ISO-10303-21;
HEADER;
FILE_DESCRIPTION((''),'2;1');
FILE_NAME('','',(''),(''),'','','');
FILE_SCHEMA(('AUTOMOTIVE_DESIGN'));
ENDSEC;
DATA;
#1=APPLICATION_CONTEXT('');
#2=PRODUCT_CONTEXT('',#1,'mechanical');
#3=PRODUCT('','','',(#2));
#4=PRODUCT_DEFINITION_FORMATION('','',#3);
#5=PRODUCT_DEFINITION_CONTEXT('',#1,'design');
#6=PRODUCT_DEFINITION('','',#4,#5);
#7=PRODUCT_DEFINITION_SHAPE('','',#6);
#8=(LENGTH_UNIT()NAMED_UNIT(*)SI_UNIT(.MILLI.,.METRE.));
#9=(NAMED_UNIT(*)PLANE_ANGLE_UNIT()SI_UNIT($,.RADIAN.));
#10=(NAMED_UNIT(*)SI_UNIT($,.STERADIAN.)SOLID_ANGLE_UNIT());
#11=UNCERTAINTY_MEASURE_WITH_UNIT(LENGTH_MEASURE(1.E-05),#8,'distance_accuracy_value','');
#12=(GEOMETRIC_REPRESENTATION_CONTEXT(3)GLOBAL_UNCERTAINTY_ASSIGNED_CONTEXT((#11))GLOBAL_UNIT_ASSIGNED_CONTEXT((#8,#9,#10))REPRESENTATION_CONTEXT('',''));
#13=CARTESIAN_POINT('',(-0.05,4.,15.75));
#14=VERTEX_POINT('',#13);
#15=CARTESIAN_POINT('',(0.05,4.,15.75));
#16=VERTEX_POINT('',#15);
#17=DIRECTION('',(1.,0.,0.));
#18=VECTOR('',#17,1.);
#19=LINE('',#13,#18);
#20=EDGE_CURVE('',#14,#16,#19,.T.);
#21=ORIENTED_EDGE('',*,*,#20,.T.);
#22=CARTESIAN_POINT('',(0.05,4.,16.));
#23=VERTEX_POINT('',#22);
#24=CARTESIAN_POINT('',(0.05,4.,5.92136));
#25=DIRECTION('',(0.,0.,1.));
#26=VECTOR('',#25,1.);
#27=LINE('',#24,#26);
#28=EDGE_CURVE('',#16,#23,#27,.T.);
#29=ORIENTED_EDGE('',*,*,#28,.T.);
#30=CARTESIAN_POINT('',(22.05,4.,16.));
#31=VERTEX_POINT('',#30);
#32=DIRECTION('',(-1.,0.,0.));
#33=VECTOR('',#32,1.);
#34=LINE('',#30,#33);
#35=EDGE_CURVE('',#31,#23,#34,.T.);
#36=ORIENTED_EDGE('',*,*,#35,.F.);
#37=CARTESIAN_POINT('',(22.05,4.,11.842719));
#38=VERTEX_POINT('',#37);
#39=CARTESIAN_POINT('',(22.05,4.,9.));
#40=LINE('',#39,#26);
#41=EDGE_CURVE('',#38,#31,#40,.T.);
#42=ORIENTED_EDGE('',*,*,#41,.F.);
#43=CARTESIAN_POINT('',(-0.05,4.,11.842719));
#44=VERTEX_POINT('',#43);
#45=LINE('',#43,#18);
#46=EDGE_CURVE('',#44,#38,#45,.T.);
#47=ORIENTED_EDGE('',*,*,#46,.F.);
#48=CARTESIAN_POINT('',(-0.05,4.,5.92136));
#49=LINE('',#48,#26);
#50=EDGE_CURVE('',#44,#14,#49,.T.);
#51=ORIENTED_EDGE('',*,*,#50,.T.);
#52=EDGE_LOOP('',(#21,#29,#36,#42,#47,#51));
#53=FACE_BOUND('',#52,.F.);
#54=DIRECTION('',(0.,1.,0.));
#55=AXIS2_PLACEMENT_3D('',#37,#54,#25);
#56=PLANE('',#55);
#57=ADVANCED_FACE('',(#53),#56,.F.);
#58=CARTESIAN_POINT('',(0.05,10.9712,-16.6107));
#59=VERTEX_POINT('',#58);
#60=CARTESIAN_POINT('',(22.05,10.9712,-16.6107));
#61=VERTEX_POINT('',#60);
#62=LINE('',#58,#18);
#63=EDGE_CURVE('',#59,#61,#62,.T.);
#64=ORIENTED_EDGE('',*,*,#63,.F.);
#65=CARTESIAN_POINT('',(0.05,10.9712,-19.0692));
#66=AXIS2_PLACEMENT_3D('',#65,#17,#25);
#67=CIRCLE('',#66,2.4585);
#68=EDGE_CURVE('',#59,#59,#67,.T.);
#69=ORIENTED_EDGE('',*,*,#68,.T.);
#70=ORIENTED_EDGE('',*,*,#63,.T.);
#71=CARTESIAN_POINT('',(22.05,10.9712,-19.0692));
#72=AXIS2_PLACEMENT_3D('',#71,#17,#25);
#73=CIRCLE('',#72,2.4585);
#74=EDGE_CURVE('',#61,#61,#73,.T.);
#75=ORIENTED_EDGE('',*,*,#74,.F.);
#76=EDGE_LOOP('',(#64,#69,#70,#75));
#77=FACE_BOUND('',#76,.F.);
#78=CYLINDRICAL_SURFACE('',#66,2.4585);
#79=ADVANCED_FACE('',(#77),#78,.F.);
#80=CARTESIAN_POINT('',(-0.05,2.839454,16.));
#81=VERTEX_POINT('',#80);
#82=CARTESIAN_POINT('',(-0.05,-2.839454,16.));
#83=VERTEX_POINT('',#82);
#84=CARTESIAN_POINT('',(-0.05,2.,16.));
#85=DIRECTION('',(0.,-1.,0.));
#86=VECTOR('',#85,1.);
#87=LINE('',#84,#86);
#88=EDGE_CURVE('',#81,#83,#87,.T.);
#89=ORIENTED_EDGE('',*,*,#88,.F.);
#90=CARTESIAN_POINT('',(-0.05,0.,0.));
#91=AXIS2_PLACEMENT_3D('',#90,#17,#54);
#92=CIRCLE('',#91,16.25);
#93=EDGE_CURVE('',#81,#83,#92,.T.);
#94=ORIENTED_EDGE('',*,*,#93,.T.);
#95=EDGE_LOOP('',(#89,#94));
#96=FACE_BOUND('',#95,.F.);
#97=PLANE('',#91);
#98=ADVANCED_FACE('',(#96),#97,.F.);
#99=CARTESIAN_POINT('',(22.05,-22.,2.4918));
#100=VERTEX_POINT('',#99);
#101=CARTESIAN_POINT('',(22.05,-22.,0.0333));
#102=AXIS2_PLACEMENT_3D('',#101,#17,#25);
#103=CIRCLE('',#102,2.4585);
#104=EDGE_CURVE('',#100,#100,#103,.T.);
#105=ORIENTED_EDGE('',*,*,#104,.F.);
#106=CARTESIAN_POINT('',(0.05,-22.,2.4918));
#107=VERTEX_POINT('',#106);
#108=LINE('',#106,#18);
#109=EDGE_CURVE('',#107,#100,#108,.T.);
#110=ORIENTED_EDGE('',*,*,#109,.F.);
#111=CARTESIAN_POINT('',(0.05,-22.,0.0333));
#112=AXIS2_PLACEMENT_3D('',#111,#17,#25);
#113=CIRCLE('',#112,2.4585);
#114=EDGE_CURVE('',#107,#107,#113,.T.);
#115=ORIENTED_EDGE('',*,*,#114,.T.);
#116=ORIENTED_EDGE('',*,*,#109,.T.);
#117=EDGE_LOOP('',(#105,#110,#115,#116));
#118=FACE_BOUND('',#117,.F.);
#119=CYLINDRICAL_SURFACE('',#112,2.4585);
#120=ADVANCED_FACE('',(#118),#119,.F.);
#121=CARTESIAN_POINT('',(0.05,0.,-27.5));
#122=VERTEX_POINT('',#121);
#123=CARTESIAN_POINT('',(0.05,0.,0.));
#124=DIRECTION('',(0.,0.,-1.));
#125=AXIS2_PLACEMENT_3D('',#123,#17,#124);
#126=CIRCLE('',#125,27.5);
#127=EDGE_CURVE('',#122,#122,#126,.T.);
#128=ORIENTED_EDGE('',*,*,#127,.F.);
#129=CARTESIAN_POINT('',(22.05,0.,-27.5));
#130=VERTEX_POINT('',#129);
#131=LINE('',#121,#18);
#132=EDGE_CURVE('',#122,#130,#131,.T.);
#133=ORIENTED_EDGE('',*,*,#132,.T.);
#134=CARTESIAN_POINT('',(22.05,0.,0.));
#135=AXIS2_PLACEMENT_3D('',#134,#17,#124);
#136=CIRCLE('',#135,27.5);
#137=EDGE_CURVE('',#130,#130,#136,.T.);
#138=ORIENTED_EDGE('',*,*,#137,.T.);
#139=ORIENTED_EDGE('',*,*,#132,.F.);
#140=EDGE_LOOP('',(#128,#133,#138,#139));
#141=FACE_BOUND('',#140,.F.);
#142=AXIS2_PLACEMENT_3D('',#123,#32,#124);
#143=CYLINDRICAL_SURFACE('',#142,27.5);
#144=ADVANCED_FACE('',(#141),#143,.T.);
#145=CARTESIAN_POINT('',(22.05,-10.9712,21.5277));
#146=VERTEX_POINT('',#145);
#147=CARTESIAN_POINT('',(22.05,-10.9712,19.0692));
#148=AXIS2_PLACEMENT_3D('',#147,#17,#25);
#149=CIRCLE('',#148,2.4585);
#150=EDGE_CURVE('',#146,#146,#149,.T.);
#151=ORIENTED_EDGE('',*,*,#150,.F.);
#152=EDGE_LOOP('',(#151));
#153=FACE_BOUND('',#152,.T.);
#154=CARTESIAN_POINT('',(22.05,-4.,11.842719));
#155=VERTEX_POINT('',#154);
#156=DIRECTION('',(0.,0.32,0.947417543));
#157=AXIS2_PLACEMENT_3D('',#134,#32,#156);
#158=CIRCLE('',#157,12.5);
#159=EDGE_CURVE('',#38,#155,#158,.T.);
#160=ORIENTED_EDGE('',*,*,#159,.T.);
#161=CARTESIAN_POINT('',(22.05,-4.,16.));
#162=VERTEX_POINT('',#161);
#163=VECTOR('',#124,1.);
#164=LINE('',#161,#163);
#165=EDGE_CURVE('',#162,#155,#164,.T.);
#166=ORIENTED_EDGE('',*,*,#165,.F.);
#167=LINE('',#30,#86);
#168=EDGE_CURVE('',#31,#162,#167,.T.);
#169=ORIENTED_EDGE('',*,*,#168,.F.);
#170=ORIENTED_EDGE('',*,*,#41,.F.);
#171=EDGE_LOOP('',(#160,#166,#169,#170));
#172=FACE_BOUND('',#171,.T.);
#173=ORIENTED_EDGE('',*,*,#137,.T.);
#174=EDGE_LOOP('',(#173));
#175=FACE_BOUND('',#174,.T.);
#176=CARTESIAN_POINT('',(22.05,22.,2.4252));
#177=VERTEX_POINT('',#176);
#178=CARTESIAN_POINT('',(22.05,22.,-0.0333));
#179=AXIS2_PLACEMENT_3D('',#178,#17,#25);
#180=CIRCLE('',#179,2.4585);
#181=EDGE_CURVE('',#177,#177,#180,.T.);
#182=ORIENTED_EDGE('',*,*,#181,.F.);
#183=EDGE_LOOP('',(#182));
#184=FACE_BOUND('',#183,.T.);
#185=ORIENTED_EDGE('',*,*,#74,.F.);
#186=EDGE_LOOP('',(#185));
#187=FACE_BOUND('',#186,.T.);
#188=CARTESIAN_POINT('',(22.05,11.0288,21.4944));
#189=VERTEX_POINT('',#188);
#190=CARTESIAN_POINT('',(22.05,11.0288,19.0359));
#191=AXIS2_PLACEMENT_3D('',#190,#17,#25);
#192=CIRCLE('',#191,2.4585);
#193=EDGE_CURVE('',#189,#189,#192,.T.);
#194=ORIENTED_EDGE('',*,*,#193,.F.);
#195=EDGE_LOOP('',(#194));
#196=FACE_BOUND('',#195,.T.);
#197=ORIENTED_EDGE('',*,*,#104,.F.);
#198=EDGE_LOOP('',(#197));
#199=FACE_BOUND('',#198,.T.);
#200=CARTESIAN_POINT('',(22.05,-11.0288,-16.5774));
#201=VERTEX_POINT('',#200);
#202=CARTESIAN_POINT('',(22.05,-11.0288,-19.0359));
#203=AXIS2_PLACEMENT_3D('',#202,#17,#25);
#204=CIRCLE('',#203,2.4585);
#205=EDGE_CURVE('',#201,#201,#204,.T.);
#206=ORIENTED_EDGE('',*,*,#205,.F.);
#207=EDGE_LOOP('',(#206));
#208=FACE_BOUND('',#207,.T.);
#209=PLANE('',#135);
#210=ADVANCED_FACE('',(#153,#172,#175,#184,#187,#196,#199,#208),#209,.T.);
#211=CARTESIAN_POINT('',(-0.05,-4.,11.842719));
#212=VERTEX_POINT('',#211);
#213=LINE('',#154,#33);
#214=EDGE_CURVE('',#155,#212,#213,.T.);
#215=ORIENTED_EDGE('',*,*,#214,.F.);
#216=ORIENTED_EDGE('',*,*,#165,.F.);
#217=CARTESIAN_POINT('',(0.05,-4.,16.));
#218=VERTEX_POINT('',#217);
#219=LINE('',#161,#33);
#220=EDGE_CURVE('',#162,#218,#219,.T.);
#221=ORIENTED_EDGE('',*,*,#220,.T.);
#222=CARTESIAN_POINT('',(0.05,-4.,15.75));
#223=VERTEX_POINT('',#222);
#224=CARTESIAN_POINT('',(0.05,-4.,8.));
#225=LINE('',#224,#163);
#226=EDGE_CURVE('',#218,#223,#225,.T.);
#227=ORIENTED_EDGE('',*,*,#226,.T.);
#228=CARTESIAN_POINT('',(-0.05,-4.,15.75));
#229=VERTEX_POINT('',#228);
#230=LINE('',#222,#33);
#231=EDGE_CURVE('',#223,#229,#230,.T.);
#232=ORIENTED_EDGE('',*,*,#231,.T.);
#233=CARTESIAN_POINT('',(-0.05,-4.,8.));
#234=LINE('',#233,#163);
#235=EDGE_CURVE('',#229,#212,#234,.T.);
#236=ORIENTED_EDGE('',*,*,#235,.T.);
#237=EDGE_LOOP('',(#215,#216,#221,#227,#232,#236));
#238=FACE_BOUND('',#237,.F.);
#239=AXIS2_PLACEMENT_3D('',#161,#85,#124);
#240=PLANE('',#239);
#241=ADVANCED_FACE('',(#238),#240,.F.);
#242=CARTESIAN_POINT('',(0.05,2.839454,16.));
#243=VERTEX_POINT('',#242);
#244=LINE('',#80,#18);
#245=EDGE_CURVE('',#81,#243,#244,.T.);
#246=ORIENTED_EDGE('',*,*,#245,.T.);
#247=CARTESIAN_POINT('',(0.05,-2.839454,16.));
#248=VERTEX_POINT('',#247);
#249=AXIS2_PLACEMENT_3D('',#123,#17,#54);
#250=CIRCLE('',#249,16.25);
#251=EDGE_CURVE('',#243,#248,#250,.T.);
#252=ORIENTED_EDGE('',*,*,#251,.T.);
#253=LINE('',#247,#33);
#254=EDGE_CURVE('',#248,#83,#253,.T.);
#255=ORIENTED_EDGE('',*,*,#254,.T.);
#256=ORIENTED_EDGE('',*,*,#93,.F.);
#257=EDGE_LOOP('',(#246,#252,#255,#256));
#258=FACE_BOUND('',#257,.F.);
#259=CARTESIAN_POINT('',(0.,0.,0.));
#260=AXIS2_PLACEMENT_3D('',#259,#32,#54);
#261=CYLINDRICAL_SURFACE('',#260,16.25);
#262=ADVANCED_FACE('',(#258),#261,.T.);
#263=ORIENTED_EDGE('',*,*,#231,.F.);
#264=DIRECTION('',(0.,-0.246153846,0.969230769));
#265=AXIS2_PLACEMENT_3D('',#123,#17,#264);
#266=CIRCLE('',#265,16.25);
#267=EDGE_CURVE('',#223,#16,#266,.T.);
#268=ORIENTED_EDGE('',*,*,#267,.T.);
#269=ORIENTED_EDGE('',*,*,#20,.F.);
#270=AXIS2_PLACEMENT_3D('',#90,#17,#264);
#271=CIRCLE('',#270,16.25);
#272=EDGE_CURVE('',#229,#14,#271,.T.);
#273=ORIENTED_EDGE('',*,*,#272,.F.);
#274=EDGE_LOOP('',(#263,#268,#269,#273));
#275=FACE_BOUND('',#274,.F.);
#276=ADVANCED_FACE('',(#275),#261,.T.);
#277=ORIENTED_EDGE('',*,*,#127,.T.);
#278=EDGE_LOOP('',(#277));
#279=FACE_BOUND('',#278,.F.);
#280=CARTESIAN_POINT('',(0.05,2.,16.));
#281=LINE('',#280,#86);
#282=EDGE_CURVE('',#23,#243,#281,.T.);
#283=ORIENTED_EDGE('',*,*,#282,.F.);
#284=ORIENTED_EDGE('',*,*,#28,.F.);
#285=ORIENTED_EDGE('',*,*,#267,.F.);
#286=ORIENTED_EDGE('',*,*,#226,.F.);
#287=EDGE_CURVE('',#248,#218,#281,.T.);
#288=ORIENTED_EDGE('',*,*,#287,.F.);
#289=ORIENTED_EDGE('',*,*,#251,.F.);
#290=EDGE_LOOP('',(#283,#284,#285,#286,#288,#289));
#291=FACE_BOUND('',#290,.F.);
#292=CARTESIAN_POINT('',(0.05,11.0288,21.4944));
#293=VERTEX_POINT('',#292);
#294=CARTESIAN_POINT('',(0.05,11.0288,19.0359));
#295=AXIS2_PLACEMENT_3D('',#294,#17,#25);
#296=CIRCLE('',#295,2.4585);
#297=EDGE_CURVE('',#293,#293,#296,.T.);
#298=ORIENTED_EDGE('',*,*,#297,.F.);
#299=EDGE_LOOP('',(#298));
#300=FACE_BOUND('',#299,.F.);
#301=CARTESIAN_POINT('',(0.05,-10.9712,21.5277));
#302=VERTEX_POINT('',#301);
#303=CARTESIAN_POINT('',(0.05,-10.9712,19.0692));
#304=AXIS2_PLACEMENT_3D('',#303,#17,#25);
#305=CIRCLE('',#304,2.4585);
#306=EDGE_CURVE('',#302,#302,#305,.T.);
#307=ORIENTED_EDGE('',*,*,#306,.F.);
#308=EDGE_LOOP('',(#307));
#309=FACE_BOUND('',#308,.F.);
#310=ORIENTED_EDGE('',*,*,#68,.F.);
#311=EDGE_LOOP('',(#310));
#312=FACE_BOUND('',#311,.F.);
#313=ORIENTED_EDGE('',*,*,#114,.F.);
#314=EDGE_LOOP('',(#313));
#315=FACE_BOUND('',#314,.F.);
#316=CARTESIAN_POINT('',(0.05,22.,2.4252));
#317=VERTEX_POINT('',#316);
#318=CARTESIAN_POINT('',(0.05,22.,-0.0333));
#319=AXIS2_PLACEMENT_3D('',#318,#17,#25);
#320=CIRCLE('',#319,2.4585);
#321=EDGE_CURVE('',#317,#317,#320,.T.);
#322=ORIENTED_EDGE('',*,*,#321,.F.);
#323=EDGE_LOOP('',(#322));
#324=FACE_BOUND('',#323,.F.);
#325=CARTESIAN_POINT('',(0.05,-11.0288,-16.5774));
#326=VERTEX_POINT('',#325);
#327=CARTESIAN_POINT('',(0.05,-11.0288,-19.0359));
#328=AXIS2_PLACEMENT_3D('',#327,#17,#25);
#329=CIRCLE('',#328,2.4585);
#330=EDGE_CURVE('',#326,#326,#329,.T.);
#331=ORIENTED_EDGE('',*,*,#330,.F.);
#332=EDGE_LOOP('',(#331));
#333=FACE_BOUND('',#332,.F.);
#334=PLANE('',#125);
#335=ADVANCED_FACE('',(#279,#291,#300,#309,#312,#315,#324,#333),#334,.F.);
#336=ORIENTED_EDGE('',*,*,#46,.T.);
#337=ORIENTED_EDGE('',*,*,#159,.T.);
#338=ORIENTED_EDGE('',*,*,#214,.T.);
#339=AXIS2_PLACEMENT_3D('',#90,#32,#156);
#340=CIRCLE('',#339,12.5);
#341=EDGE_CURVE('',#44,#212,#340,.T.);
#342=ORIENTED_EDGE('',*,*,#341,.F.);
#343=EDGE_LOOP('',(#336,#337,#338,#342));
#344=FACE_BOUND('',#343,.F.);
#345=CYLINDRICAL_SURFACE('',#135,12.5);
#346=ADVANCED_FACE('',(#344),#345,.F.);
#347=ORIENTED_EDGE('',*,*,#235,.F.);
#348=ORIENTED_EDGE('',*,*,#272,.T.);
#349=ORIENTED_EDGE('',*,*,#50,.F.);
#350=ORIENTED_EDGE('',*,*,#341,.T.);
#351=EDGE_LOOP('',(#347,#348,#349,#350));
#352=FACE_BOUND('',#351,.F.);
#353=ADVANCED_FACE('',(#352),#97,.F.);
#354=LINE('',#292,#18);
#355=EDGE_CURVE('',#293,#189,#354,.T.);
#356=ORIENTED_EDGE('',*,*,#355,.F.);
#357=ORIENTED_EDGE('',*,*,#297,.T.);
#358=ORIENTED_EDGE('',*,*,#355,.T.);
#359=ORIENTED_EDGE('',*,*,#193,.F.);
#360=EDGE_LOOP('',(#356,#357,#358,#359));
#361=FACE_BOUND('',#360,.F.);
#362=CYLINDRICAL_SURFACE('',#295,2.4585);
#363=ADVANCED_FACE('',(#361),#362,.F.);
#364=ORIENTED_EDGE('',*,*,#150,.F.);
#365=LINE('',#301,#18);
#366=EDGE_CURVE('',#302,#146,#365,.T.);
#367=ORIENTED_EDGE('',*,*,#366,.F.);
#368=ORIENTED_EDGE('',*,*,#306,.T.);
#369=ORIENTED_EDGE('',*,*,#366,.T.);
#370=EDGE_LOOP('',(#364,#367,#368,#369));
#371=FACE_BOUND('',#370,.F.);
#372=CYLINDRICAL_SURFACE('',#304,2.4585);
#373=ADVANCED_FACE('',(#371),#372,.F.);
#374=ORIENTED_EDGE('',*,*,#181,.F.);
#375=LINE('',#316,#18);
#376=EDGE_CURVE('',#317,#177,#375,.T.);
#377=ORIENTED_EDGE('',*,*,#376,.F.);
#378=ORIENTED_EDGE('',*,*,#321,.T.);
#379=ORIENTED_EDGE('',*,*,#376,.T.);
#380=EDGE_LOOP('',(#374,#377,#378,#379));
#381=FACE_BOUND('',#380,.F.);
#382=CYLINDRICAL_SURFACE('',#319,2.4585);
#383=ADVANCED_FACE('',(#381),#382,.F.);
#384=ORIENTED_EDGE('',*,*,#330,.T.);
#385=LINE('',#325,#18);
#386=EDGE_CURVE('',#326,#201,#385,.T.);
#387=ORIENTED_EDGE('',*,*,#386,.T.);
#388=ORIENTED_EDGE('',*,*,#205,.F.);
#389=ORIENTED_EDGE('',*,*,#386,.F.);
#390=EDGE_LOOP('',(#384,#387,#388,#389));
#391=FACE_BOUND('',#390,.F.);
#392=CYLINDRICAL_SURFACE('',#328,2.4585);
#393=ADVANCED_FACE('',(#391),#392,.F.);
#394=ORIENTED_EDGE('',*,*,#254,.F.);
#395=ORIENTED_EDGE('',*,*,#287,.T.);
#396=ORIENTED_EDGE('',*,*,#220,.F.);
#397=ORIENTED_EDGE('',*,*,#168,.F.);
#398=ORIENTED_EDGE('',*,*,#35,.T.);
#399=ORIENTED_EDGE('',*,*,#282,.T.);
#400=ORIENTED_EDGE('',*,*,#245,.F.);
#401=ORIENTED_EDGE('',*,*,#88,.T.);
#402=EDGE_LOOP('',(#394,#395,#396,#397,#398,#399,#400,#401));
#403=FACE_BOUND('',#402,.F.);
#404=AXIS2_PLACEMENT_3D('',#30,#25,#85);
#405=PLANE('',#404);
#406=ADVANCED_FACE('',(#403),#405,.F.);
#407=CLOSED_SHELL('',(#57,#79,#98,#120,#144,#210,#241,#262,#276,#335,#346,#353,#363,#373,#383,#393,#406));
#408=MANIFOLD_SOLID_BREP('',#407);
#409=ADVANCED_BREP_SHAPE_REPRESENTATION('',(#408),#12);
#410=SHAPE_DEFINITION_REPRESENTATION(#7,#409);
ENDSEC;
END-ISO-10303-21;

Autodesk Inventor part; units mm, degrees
ref_plane "YZ Plane" through (0, 0, 0) normal (1, 0, 0) x (0, 1, 0)
ref_plane "XZ Plane" through (0, 0, 0) normal (0, 1, 0) x (-1, 0, 0)
ref_plane "XY Plane" through (0, 0, 0) normal (0, 0, 1) x (1, 0, 0)
sketch "Skizze1" plane through (0, 0, 0) normal (1, 0, 0) x (0, 1, 0)
  circle A0 centre (0, 0) radius 12.5
  circle A1 centre (0, 0) radius 16.25
  dimension "d0" = 25
  dimension "d1" = 32.5
extrude "Extrusion1" add sketch "Skizze1" along normal mid plane 0.1
sketch "Skizze2" plane through (0.05, 0, 0) normal (1, 0, 0) x (0, 0, -1)
  circle A0 centre (0, 0) radius 27.5
  dimension "d5" = 55
extrude "Extrusion2" add sketch "Skizze2" along normal blind 22
sketch "Skizze4" plane through (22.05, 0, 0) normal (1, 0, 0) x (0, 0, -1)
  circle A0 centre (0, 0) radius 12.5
  dimension "d8" = 25
extrude "Extrusion3" cut sketch "Skizze4" against normal blind 30
sketch "Skizze5" plane through (0.05, 0, 0) normal (-1, 0, 0) x (0, 0, 1)
  point P0 (0, 0)
  point P1 (0.0333, -22)
  point P2 (19.0692, -10.9712)
  point P3 (19.0359, 11.0288)
  point P4 (-0.0333, 22)
  point P5 (-19.0692, 10.9712)
  point P6 (-19.0359, -11.0288)
  dimension "d18" = 22
  dimension "d21" = 360
hole "Bohrung1" at (0.05, -22, 0.0333) at (0.05, -10.9712, 19.0692) at (0.05, 11.0288, 19.0359) at (0.05, 22, -0.0333) at (0.05, 10.9712, -19.0692) at (0.05, -11.0288, -19.0359) direction (1, 0, 0) diameter 4.917 end through all thread size "M6x1" class "6H" standard "ISO Metric profile"
sketch "Skizze6" plane through (22.05, 0, 0) normal (1, 0, 0) x (0, 0, -1)
  line L0 (-16, -4) -> (-9, -4)
  line L1 (-9, -4) -> (-9, 4)
  line L2 (-9, 4) -> (-16, 4)
  line L3 (-16, 4) -> (-16, -4)
  circle A0 centre (0, 0) radius 12.5 projected
  line L4 (-16, -4) -> (-9, 4) construction
  line L5 (-9, -4) -> (-16, 4) construction
  point P0 (-12.5, 0)
  point P1 (-11.8427, -4)
  point P2 (-11.8427, 4)
  dimension "d23" = 7
  dimension "d24" = 8
  dimension "d25" = 9
extrude "Extrusion4" cut sketch "Skizze6" against normal blind 52 contours L3 L2 A0 L0
properties part number "Befestigung bremsscheibe"
